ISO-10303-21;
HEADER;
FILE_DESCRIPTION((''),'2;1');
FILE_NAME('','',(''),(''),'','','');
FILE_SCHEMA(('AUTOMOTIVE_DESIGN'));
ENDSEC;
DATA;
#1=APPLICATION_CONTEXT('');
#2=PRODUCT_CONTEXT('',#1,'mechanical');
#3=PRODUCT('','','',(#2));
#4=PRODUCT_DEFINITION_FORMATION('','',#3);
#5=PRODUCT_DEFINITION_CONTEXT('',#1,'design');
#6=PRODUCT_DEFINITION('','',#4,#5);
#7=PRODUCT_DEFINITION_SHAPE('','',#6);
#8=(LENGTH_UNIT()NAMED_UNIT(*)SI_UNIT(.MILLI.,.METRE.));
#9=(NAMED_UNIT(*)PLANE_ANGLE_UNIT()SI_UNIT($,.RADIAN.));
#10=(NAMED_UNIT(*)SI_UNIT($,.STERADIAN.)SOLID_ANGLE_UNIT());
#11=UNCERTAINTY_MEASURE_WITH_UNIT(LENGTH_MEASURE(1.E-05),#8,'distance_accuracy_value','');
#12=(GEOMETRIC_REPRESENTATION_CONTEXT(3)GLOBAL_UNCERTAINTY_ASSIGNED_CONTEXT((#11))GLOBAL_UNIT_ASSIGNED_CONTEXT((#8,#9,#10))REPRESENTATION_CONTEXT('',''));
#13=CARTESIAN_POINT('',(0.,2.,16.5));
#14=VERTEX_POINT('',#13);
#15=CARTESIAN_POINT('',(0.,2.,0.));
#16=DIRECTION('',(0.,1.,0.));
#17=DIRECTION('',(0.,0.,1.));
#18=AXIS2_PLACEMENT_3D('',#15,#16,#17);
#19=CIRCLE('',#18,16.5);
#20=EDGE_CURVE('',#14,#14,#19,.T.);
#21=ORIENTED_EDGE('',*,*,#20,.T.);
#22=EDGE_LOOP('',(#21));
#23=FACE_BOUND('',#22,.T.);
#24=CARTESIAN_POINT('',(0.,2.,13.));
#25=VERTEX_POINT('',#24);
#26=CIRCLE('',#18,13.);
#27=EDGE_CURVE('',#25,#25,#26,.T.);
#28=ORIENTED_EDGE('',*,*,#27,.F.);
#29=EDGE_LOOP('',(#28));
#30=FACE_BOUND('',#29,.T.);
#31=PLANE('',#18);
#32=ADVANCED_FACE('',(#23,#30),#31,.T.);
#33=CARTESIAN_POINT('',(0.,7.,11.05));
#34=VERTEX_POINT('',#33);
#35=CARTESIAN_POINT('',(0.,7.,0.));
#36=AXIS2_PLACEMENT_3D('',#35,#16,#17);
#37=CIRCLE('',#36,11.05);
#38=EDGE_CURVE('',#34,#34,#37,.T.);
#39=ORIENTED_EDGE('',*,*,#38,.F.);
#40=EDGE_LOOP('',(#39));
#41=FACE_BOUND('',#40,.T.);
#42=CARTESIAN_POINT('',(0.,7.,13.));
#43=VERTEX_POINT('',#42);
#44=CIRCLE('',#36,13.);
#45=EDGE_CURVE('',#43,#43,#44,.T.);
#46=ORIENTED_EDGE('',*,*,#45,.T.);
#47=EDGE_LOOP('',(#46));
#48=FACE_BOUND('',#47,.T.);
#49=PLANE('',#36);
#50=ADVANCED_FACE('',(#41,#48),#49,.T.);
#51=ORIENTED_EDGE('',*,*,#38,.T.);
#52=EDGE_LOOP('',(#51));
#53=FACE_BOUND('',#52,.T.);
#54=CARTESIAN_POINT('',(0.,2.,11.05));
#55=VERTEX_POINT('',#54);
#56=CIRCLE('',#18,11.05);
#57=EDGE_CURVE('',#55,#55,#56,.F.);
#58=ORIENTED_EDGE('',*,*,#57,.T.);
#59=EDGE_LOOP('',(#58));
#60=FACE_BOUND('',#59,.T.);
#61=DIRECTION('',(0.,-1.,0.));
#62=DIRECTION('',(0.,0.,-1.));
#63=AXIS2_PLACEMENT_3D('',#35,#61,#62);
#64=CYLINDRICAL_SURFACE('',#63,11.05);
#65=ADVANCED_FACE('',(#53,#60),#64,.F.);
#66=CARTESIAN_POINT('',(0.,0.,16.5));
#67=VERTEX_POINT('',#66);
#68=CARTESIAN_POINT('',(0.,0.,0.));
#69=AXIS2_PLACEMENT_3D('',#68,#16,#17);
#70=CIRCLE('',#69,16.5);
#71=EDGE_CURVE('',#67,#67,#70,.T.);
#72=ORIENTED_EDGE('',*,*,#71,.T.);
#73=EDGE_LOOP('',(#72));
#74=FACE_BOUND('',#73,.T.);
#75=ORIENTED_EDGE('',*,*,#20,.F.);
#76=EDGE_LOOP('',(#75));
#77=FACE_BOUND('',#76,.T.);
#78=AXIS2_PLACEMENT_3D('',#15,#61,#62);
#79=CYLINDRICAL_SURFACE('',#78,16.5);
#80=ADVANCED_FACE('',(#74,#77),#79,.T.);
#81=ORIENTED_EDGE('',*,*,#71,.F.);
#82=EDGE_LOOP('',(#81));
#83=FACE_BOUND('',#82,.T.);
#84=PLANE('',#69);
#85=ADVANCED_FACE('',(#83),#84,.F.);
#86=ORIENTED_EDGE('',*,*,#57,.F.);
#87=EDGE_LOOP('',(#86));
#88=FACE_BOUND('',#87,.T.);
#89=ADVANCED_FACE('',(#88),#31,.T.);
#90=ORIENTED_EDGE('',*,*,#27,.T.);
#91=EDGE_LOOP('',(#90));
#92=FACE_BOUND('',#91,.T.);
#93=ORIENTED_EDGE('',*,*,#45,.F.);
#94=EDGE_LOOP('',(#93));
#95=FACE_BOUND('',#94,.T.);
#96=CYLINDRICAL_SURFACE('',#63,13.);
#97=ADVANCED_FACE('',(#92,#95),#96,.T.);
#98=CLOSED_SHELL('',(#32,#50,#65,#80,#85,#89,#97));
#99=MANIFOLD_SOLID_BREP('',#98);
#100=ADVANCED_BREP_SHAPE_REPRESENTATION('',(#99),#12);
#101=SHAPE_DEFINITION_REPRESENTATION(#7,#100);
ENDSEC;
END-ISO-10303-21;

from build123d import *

# Parameters (mm, degrees)
CROQUIS1_R              = 16.5
SALIENTE_EXTRUIR1_DEPTH = 2
CROQUIS2_R              = 13
CROQUIS2_R_2            = 11.05
SALIENTE_EXTRUIR2_DEPTH = 5


with BuildPart() as part:
    # Croquis1 → Saliente-Extruir1 (new body)
    with BuildSketch(Plane(origin=(0, 0, 0), x_dir=(1, 0, 0), z_dir=(0, 1, 0))):
        Circle(CROQUIS1_R)
    extrude(amount=SALIENTE_EXTRUIR1_DEPTH)

    # Croquis2 → Saliente-Extruir2 (add)
    with BuildSketch(Plane(origin=(0, 2, 0), x_dir=(1, 0, 0), z_dir=(0, 1, 0))):
        Circle(CROQUIS2_R)
        Circle(CROQUIS2_R_2, mode=Mode.SUBTRACT)
    extrude(amount=SALIENTE_EXTRUIR2_DEPTH)


solid = part.part
